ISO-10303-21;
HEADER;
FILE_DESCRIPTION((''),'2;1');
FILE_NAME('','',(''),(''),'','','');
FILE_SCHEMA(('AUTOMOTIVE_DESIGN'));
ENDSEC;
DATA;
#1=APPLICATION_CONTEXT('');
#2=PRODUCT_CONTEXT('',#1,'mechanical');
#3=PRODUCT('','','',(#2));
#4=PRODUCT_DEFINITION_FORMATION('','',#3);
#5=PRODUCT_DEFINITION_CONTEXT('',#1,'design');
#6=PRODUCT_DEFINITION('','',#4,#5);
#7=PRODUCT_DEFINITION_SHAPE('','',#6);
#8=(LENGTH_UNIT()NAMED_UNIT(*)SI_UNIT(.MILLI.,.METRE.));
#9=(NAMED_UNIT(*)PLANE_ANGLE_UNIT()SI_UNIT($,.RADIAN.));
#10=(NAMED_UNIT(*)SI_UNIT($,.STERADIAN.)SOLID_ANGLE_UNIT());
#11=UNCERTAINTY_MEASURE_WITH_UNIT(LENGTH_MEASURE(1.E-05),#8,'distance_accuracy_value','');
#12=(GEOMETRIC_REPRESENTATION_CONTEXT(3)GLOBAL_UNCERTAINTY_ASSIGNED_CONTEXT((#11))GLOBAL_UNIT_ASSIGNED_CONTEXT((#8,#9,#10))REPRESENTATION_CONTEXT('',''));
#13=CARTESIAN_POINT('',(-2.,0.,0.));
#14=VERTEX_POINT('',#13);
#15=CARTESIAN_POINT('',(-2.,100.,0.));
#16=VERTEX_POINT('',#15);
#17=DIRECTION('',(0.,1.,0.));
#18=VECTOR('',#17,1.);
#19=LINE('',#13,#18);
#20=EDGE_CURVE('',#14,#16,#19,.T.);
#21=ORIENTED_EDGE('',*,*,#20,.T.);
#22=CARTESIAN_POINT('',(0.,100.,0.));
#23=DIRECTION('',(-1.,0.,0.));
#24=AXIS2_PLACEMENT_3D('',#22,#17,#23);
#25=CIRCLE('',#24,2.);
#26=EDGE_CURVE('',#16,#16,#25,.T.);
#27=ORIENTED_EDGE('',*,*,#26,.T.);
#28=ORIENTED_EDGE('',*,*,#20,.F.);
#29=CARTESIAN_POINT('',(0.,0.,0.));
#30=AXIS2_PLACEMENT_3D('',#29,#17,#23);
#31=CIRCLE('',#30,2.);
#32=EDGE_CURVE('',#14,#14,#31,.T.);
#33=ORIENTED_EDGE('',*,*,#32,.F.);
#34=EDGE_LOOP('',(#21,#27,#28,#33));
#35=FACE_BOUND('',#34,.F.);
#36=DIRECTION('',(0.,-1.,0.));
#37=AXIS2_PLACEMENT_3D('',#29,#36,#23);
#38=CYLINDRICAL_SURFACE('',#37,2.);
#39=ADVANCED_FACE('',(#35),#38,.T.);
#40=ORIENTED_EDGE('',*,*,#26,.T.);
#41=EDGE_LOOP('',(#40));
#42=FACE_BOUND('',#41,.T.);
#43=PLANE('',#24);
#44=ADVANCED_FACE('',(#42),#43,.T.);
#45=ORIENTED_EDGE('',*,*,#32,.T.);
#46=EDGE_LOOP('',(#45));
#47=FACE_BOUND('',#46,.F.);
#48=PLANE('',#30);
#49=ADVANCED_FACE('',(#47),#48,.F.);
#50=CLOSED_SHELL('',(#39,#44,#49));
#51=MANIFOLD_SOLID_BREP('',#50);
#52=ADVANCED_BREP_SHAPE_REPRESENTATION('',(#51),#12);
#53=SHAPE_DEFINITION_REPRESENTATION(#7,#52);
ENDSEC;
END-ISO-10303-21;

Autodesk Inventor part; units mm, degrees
ref_plane "YZ Plane" through (0, 0, 0) normal (1, 0, 0) x (0, 1, 0)
ref_plane "XZ Plane" through (0, 0, 0) normal (0, 1, 0) x (-1, 0, 0)
ref_plane "XY Plane" through (0, 0, 0) normal (0, 0, 1) x (1, 0, 0)
sketch "Sketch1" plane through (0, 0, 0) normal (0, 1, 0) x (-1, 0, 0)
  circle A0 centre (0, 0) radius 2
  dimension "d0" = 4
extrude "Extrusion1" add sketch "Sketch1" along normal blind 100
properties part number "HELP_ROD_D3x100"
